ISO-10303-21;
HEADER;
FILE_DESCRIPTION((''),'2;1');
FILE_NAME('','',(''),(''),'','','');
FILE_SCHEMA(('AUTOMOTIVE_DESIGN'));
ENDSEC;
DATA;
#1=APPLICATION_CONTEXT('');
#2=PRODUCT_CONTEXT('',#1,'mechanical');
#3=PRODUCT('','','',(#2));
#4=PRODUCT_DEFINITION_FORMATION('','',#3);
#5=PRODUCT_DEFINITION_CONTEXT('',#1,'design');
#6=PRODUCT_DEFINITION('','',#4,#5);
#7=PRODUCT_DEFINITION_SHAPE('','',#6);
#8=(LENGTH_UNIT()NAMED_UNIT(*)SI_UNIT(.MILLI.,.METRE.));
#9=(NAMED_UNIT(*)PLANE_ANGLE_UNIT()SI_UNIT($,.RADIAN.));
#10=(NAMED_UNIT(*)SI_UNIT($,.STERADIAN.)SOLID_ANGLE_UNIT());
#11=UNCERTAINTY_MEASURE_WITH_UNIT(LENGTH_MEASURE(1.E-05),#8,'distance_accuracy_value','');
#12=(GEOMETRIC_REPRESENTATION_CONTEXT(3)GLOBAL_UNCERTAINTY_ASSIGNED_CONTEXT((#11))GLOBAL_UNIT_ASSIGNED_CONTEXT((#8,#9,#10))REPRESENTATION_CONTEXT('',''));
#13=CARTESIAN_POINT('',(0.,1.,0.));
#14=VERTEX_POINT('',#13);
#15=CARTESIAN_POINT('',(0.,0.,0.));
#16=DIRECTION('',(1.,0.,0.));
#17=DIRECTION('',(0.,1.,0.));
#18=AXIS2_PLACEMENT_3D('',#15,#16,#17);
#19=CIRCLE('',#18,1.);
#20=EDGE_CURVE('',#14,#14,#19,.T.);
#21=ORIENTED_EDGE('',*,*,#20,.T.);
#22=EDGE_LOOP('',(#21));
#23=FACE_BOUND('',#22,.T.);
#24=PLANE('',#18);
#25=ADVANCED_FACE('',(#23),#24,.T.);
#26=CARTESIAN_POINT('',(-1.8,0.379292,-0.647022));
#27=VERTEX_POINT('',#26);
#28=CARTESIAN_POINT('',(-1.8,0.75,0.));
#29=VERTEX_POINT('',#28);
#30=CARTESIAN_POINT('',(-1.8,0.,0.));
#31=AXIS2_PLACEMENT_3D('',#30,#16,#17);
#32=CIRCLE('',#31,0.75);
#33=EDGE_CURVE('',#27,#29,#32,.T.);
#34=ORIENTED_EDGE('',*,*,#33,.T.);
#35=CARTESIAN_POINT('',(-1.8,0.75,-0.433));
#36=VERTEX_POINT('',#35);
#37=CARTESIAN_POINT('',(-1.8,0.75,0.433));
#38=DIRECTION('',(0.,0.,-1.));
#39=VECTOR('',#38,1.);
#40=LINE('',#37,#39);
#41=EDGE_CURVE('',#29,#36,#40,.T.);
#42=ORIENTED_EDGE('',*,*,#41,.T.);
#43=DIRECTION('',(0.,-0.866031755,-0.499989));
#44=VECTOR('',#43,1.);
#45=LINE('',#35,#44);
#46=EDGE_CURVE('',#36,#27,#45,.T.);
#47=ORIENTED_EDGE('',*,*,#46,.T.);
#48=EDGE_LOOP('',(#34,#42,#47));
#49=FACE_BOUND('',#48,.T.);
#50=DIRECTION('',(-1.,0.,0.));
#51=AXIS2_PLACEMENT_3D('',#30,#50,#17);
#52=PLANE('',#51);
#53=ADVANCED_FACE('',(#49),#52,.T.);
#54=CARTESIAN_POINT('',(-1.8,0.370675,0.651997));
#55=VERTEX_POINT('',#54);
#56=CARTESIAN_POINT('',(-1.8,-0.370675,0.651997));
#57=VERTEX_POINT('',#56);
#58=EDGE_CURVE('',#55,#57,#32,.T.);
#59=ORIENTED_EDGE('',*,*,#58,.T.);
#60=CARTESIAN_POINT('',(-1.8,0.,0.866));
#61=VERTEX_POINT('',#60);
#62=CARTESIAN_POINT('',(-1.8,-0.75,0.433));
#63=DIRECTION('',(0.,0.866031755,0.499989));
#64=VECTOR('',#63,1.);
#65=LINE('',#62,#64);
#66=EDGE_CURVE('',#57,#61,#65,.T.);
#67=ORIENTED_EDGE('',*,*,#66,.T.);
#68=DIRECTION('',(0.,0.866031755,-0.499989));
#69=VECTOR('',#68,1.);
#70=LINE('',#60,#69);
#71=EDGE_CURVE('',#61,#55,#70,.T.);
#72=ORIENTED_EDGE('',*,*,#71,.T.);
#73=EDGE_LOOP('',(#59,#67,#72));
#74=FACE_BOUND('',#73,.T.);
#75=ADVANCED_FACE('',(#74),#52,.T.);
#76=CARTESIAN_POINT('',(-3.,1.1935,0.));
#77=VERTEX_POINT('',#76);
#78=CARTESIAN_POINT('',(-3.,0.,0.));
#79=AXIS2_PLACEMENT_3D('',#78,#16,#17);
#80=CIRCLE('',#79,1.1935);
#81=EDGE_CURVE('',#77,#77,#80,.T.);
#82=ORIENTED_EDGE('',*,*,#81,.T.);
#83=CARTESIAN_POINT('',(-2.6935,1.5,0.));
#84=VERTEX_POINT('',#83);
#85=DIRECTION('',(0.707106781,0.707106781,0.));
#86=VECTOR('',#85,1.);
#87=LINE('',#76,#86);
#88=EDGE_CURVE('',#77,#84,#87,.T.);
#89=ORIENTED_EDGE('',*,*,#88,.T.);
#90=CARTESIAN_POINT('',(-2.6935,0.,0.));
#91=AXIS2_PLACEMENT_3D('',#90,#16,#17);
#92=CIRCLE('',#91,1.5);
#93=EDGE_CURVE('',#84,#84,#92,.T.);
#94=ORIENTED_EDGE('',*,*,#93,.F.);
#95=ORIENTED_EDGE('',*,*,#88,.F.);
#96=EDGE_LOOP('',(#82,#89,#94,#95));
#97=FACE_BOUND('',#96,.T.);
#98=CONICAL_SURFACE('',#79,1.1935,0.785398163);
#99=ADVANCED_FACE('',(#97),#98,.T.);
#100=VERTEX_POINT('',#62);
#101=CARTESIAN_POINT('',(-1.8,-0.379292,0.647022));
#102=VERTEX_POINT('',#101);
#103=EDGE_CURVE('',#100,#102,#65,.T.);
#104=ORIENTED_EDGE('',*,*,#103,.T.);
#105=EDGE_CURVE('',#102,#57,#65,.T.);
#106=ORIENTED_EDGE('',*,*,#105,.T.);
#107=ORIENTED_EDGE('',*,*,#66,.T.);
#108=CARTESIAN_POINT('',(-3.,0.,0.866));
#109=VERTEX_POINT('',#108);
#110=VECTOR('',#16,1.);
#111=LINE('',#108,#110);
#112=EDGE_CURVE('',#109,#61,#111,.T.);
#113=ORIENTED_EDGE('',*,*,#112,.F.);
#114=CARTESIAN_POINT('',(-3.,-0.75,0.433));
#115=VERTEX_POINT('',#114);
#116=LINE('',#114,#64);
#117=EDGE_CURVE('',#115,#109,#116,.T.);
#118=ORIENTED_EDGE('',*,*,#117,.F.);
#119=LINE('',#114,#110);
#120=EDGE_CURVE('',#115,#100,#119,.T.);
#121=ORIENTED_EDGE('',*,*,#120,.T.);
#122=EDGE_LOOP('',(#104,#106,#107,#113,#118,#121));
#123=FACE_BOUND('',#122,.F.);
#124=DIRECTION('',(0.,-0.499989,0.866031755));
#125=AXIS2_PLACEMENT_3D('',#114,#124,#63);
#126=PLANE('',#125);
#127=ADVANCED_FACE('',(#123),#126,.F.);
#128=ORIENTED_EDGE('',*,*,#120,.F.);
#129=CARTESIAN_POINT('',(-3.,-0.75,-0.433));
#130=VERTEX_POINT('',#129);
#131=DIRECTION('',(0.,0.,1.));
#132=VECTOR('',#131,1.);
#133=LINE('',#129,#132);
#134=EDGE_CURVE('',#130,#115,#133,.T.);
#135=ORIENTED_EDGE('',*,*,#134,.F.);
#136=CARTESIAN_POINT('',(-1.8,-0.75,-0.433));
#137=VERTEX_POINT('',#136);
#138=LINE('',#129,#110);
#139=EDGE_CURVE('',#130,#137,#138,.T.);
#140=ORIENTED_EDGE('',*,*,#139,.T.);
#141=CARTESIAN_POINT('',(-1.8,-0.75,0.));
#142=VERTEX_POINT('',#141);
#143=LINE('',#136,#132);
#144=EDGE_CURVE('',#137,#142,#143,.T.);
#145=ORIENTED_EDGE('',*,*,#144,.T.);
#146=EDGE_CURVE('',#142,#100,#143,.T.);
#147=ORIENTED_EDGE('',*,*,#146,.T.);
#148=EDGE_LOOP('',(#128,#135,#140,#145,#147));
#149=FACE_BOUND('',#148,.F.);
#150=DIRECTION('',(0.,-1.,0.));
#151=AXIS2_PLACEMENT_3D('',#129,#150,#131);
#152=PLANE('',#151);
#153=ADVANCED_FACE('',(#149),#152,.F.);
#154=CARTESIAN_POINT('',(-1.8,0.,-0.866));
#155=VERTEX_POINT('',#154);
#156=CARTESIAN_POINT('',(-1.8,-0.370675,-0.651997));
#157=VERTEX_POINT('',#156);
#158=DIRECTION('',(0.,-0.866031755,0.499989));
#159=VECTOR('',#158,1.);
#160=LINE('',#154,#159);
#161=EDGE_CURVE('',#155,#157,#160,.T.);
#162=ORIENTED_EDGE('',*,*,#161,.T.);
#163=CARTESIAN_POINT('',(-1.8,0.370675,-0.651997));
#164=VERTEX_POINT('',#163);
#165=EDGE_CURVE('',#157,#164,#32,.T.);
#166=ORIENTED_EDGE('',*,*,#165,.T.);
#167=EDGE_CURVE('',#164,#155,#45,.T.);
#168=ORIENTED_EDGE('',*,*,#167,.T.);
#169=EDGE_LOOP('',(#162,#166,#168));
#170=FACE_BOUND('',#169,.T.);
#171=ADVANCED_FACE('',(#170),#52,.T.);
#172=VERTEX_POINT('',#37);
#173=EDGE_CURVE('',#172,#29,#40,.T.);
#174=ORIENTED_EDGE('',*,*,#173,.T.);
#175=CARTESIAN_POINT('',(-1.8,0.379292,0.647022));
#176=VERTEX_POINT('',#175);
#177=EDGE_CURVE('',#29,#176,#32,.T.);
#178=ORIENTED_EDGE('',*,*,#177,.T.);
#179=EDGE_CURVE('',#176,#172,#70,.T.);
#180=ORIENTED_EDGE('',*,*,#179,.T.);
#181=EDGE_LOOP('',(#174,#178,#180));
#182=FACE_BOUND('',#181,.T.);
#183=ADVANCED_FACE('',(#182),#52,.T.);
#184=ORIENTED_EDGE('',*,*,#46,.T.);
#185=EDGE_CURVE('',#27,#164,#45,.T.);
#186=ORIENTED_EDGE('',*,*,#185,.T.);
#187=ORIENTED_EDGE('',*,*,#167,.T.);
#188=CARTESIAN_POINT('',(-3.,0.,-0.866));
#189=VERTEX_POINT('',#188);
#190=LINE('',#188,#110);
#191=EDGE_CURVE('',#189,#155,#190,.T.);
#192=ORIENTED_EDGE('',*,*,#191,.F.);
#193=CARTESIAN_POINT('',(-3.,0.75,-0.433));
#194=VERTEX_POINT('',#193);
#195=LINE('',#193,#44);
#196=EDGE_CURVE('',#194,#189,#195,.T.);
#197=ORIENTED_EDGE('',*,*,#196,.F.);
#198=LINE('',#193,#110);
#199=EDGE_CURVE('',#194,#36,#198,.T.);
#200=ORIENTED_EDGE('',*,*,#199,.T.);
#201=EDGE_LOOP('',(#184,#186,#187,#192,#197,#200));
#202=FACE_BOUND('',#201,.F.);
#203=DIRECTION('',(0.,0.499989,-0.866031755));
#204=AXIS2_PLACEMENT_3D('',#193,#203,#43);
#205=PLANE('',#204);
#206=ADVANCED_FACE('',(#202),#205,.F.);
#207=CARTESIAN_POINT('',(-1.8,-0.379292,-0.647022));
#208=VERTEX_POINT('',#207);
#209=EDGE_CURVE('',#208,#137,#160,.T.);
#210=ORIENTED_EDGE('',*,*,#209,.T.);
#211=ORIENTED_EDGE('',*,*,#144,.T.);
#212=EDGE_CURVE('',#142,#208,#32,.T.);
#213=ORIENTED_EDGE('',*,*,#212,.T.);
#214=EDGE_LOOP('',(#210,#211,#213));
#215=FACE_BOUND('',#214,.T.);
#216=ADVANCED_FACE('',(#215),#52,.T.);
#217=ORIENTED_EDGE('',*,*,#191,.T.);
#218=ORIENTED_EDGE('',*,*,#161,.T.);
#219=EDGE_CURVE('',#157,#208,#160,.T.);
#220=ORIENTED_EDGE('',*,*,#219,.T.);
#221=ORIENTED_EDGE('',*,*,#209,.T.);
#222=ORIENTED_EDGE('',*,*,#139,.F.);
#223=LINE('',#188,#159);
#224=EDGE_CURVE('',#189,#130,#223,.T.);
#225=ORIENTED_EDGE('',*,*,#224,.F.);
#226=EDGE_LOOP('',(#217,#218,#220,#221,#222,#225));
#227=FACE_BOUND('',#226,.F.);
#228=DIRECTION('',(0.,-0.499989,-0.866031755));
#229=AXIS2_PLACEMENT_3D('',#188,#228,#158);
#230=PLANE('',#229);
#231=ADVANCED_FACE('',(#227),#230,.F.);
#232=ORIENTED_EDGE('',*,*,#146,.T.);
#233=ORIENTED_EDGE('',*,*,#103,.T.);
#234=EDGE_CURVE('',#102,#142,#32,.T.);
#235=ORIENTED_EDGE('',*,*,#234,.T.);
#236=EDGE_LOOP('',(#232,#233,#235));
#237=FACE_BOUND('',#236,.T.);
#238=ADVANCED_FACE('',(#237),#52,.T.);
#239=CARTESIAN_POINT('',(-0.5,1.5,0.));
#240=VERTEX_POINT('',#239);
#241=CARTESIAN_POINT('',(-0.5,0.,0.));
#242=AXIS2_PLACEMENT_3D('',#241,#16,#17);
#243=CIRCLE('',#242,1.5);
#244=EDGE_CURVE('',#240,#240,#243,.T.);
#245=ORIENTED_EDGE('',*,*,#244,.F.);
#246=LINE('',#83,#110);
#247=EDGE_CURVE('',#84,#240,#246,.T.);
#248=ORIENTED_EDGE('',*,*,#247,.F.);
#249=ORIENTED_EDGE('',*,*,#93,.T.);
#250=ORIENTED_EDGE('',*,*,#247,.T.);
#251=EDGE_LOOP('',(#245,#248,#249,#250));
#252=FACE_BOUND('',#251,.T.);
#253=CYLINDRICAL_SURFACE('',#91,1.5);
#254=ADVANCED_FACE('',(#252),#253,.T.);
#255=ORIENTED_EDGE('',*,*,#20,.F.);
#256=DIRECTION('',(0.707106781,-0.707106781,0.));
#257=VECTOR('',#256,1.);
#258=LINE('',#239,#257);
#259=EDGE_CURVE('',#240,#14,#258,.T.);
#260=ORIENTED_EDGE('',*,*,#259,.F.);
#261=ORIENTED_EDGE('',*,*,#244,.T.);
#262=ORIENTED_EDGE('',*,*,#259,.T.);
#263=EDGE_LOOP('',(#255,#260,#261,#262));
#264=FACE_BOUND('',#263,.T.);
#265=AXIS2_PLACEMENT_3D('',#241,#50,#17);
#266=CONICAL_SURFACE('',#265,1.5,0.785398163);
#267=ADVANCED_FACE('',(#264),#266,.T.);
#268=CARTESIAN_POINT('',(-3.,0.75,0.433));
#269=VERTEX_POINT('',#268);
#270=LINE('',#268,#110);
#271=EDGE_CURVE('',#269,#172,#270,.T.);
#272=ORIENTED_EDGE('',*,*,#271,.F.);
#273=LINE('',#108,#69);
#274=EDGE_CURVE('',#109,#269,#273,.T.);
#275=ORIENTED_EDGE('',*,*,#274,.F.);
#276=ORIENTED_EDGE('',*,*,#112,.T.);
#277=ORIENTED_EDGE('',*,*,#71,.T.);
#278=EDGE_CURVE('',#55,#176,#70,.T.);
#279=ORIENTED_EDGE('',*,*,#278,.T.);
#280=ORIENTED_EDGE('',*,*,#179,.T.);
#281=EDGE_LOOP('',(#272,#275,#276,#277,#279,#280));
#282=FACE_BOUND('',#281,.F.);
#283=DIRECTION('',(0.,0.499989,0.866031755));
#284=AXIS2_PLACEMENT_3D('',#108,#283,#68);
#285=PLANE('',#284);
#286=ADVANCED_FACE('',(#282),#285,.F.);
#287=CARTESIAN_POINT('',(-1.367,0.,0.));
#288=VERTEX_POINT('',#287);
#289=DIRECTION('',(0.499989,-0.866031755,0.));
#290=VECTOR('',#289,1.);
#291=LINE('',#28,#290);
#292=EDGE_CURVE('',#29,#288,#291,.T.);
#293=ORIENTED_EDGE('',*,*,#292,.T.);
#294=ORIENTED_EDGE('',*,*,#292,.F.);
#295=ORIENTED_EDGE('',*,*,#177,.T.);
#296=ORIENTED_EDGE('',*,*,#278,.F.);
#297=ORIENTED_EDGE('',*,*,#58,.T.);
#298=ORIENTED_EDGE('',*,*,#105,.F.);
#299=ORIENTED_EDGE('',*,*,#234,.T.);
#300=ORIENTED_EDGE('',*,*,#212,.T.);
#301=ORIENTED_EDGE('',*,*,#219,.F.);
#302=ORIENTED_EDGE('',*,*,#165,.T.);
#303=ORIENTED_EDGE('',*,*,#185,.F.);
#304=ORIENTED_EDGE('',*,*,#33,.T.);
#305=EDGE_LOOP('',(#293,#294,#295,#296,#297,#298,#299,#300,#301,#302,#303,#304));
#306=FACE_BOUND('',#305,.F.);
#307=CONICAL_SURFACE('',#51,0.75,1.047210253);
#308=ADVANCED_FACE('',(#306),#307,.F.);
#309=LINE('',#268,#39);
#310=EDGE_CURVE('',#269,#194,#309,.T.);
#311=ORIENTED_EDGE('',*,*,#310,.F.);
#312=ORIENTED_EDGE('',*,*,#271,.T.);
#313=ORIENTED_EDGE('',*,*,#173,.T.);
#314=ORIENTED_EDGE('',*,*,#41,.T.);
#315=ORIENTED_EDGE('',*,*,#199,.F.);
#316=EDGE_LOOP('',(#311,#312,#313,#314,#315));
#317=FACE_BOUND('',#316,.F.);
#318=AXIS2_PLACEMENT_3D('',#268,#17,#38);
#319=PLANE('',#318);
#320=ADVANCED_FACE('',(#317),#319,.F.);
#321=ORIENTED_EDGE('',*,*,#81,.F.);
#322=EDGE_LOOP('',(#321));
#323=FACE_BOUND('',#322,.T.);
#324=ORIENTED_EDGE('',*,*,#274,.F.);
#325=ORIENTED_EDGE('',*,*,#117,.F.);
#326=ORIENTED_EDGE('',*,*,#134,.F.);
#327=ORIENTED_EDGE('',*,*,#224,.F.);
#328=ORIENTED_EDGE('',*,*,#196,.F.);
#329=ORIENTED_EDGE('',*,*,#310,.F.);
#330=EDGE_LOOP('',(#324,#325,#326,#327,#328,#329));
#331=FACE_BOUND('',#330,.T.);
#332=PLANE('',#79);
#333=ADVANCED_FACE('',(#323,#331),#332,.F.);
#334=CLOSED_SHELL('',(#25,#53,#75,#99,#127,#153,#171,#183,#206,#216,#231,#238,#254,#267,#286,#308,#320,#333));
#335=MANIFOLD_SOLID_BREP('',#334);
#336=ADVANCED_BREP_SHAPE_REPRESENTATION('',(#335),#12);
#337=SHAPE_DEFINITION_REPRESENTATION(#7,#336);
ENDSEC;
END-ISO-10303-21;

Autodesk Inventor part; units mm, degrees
sketch "Sketch_1" plane through (0, 0, 0) normal (0, 0, 1) x (1, 0, 0)
  line L0 (0, 0) -> (-3, 0)
  line L1 (-3, 0) -> (-3, 1.1935)
  line L2 (-3, 1.1935) -> (-2.6935, 1.5)
  line L3 (-2.6935, 1.5) -> (-0.5, 1.5)
  line L4 (-0.5, 1.5) -> (0, 1)
  line L5 (0, 1) -> (0, 0)
  line L6 (0, 0) -> (-3, 0)
revolve "Revolution1" add sketch "Sketch_1" angle 360 about axis through (0, 0, 0) along (1, 0, 0)
thread "Thread1" size "M3x0.5" class "6g" standard "ISO Metric profile" full length
sketch "Sketch_2" plane through (-3, 0, 0) normal (-1, 0, 0) x (0, 1, 0)
  line L0 (-0.75, -0.433) -> (0, -0.866)
  line L1 (0, -0.866) -> (0.75, -0.433)
  line L2 (0.75, -0.433) -> (0.75, 0.433)
  line L3 (0.75, 0.433) -> (0, 0.866)
  line L4 (0, 0.866) -> (-0.75, 0.433)
  line L5 (-0.75, 0.433) -> (-0.75, -0.433)
extrude "Extrusion1" cut sketch "Sketch_2" against normal blind 1.2
sketch "Sketch_3" plane through (0, 0, 0) normal (0, 0, 1) x (1, 0, 0)
  line L0 (-1.367, 0) -> (-1.8, 0)
  line L1 (-1.8, 0) -> (-1.8, 0.75)
  line L2 (-1.8, 0.75) -> (-1.367, 0)
  line L3 (-1.367, 0) -> (-1.8, 0)
revolve "Revolution2" cut sketch "Sketch_3" angle 360 about axis through (-1.367, 0, 0) along (1, 0, 0)
ref_plane "CP_XY" through (0, 0, 0) normal (1, 0, 0) x (0, 0, -1)
ref_plane "CP_YZ" through (0, 0, 0) normal (0, 0, -1) x (0, 1, 0)
ref_plane "CP_ZX" through (0, 0, 0) normal (0, 1, 0) x (1, 0, 0)
properties part number "SET-SCREW3-3"
